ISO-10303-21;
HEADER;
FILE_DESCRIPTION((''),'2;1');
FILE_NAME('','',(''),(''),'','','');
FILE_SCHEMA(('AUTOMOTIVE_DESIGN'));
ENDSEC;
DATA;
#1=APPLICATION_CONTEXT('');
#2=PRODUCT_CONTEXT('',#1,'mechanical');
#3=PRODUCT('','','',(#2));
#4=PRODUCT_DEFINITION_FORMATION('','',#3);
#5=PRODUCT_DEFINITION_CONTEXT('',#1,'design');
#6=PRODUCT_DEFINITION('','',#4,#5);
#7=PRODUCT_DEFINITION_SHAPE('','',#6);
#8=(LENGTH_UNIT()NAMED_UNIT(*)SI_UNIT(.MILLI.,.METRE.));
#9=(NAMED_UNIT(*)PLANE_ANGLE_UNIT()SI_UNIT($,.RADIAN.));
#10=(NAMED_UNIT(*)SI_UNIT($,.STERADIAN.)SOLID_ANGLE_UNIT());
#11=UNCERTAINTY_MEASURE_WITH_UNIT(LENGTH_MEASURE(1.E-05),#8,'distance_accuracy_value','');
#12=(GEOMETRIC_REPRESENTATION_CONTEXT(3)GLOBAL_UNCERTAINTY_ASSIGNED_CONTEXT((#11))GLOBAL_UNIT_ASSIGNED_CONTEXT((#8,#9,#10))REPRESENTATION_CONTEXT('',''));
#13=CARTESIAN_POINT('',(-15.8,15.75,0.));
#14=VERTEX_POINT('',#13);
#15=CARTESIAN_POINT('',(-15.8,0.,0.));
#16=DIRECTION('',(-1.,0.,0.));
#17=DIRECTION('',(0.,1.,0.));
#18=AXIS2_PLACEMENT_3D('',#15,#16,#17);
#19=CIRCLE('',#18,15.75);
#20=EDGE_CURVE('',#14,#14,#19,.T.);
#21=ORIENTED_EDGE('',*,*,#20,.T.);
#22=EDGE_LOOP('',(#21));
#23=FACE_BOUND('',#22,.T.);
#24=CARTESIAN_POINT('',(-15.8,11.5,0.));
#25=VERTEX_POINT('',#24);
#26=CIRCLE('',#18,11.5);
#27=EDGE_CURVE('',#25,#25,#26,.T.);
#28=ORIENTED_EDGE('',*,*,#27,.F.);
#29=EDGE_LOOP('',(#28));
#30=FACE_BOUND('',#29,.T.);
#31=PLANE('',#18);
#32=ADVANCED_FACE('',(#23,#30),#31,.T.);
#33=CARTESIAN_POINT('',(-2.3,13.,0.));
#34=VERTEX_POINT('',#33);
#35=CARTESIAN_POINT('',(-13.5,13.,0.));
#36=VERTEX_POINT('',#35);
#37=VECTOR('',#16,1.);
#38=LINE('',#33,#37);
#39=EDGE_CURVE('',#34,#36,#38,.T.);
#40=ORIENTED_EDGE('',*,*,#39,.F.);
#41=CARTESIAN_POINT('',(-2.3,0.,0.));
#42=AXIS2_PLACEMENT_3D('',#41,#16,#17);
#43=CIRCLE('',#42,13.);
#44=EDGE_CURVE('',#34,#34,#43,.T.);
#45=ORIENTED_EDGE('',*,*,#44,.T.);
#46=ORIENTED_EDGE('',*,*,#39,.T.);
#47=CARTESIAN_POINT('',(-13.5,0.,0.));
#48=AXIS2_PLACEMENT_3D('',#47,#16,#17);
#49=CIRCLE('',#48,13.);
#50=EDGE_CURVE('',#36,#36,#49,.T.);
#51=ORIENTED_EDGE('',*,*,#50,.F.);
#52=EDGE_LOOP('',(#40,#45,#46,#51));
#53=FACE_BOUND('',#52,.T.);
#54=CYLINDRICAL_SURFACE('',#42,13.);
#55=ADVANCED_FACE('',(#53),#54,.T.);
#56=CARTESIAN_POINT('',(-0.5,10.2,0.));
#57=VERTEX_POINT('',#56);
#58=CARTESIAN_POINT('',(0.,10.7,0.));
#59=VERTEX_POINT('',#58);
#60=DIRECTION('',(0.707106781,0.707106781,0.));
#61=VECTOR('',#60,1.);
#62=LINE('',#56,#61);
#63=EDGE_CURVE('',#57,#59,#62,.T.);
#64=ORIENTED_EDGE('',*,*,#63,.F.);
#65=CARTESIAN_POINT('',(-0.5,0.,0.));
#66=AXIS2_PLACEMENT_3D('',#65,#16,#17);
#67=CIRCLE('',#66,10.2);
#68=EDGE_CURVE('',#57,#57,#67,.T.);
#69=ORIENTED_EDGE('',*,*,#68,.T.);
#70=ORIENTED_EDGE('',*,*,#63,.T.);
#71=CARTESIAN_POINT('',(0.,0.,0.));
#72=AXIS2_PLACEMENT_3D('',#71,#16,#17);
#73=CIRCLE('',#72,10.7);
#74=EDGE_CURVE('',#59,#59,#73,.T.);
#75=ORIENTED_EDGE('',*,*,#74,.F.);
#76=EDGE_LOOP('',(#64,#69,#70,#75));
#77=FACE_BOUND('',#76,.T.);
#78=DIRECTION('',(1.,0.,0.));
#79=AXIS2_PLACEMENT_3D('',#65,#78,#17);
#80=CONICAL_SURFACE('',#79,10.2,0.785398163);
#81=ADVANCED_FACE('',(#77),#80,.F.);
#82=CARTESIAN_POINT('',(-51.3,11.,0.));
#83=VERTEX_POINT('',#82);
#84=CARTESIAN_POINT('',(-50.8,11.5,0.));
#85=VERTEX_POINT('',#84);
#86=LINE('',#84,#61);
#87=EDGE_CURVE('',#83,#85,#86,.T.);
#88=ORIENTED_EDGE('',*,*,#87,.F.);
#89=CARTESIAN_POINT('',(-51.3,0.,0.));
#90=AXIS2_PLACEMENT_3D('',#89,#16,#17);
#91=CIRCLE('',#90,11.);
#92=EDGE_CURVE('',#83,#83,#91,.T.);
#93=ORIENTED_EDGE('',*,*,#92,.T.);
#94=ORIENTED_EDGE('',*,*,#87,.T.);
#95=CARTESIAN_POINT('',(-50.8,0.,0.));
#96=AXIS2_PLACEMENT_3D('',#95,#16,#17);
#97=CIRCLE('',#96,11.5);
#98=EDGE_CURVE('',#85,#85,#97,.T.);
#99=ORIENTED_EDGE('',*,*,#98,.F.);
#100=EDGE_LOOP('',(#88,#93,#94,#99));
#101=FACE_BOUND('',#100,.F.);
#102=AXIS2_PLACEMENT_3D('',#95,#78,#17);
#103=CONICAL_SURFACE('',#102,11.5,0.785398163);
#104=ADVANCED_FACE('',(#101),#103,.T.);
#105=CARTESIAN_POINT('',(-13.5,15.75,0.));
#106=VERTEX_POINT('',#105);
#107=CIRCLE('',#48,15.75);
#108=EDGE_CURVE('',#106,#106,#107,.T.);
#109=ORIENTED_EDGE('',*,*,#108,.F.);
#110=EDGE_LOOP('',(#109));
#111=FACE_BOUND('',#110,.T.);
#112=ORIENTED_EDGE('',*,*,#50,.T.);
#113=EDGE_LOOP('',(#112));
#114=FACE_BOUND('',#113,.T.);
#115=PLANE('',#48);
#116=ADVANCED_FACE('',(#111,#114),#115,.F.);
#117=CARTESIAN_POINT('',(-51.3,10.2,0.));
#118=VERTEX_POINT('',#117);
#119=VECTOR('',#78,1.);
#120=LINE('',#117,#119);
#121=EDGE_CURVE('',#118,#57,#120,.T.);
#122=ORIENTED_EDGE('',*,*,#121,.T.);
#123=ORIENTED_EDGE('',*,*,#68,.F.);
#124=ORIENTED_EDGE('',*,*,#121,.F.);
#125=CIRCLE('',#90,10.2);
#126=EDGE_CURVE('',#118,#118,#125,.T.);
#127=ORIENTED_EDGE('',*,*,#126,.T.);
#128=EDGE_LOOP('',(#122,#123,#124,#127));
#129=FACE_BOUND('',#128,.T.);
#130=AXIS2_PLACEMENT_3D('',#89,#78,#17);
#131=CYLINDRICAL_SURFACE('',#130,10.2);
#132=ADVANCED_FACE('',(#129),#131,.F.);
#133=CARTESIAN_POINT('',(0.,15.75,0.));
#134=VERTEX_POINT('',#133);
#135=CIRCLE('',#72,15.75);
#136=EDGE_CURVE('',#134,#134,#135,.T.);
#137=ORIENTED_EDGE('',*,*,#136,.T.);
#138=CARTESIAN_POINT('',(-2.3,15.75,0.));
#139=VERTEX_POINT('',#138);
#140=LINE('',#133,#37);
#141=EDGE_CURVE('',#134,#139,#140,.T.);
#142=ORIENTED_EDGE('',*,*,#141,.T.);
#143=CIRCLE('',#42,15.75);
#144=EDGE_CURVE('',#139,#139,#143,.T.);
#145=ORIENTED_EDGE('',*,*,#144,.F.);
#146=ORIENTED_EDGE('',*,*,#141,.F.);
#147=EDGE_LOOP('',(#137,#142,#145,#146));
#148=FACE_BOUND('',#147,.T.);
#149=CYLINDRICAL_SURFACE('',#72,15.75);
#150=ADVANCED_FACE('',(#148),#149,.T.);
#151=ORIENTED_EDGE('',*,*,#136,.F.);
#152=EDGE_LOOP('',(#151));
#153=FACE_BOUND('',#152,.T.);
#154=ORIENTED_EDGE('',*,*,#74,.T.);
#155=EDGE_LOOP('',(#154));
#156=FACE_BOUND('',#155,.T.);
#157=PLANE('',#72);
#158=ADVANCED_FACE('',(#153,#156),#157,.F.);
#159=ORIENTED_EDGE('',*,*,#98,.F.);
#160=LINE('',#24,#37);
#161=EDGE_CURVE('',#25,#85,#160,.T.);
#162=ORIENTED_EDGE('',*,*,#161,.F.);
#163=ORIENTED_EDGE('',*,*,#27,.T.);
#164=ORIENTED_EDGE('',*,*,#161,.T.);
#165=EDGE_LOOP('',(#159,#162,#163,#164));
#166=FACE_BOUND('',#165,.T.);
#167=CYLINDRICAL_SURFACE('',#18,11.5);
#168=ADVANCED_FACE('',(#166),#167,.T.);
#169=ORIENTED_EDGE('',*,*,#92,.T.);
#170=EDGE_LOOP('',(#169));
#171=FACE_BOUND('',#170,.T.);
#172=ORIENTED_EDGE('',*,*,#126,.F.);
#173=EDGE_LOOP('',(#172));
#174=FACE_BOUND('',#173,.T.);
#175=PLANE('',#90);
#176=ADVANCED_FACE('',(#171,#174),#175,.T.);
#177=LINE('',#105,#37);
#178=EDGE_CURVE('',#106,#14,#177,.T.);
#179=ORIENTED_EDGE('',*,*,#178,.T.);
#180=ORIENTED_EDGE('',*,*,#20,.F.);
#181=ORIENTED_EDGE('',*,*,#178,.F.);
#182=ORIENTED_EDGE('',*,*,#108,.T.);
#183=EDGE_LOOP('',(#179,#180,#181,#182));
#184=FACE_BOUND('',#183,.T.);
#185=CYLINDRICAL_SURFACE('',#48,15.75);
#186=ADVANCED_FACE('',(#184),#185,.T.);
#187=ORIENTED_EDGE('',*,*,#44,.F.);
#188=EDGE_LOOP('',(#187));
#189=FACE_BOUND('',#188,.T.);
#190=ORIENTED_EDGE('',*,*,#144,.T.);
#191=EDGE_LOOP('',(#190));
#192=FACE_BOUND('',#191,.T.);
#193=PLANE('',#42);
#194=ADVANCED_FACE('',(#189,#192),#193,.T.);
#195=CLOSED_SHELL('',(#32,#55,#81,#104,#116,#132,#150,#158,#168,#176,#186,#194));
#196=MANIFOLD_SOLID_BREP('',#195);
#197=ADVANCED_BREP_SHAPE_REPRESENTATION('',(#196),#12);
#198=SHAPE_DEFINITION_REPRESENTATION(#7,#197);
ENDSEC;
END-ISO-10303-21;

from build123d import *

# Parameters (mm, degrees)
F2_SIZE = 0.5


with BuildPart() as f1:
    # F0 (on Top) → F1 (revolve)
    with BuildSketch(Plane.XY):
        Polygon((-51.3, 11.5), (-51.3, 10.2), (0, 10.2), (0, 15.75), (-2.3, 15.75), (-2.3, 13), (-13.5, 13), (-13.5, 15.75), (-15.8, 15.75), (-15.8, 11.5), align=None)
    revolve(axis=Axis((-27.94127, 0, 0), (-1, 0, 0)))

    # F2
    f2_edges = [f1.edges().sort_by_distance(p)[0] for p in [
        (-51.3, -11.5, 0),
        (0, -10.2, 0),
    ]]
    chamfer(f2_edges, length=F2_SIZE)


solid = f1.part
